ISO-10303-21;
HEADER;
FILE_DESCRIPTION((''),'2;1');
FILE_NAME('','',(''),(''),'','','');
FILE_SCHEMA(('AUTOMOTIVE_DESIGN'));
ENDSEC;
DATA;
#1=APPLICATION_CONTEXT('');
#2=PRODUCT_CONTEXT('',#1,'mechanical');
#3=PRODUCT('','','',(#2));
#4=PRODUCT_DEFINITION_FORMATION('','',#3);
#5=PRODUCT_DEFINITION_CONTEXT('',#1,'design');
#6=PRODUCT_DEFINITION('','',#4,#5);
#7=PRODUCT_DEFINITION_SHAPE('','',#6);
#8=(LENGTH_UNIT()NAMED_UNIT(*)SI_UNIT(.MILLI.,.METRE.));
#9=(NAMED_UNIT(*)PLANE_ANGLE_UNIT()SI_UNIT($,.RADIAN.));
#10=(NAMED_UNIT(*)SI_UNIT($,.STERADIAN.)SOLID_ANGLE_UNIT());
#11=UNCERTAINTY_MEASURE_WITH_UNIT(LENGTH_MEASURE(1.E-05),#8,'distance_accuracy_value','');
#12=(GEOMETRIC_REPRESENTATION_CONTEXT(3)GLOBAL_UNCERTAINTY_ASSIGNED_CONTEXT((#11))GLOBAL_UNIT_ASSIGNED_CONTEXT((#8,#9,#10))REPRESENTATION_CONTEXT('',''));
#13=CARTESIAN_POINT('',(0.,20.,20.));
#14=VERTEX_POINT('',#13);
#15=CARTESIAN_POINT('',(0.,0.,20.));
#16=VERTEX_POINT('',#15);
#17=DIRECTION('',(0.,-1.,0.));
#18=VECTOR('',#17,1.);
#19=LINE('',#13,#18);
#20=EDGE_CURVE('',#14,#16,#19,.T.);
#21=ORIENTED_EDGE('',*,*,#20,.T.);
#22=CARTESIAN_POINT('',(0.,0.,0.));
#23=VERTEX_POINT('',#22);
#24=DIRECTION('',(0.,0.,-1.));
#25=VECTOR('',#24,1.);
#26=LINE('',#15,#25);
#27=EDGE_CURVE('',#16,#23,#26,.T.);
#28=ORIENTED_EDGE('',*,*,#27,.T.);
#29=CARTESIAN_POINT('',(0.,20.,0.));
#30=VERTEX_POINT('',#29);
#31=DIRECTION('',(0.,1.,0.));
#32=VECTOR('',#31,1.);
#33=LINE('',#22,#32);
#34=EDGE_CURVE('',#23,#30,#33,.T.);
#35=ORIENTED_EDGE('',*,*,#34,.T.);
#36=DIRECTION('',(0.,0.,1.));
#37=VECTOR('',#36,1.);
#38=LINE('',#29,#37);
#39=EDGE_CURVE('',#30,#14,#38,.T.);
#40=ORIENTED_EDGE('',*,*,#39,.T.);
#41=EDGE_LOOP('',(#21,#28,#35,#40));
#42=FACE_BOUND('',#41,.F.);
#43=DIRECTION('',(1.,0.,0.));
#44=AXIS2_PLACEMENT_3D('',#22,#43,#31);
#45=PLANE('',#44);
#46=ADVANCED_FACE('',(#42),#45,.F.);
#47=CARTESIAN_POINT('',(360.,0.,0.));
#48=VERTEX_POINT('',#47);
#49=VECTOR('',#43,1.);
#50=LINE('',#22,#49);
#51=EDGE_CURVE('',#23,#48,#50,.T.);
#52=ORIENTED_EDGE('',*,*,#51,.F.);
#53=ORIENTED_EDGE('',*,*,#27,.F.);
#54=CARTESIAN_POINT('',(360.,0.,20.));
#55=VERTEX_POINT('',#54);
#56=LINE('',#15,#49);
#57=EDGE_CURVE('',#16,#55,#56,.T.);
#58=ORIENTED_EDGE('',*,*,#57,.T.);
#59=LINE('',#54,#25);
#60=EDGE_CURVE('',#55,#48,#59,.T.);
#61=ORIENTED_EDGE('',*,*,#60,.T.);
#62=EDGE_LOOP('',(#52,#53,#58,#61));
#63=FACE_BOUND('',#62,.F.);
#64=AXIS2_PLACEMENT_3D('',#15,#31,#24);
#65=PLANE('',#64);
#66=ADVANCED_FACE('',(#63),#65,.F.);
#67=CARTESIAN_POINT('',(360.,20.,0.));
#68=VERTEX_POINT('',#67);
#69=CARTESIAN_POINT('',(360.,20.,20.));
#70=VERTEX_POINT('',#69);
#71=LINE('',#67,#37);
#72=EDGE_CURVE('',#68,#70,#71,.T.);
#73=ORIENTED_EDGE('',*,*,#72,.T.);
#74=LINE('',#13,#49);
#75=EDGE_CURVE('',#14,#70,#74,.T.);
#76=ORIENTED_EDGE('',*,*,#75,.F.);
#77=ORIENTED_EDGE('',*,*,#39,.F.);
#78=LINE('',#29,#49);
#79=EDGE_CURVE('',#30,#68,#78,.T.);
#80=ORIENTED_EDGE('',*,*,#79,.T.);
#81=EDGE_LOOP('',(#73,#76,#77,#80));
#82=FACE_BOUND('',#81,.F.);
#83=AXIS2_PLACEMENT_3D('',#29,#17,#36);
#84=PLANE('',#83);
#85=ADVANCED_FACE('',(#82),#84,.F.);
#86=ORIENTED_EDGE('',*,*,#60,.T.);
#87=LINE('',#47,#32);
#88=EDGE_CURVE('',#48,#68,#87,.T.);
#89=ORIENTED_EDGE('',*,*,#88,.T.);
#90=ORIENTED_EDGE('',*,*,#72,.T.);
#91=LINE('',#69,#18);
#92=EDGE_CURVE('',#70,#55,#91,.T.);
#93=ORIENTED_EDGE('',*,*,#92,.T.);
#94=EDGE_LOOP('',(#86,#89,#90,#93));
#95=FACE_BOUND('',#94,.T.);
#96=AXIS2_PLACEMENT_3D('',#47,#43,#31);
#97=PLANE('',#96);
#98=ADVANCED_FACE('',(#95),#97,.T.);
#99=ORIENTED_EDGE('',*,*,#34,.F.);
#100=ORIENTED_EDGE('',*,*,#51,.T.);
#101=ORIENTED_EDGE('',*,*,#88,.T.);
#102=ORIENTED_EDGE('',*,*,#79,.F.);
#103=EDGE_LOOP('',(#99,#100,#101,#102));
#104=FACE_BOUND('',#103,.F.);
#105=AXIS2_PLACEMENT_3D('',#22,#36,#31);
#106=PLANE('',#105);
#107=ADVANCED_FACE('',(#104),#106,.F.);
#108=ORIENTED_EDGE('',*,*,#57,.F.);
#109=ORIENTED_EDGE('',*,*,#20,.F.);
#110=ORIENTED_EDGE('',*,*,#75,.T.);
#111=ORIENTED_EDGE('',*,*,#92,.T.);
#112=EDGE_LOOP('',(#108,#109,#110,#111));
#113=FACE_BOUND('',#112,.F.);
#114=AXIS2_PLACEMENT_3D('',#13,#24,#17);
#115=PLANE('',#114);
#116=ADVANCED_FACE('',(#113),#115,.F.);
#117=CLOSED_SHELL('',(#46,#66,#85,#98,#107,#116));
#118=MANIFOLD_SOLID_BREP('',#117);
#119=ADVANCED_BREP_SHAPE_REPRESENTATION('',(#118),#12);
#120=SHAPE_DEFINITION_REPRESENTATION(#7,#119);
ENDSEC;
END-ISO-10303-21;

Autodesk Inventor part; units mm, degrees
ref_plane "YZ Plane" through (0, 0, 0) normal (1, 0, 0) x (0, 1, 0)
ref_plane "XZ Plane" through (0, 0, 0) normal (0, 1, 0) x (-1, 0, 0)
ref_plane "XY Plane" through (0, 0, 0) normal (0, 0, 1) x (1, 0, 0)
sketch "Sketch1" plane through (0, 0, 0) normal (1, 0, 0) x (0, 1, 0)
  line L0 (0, 0) -> (20, 0)
  line L1 (20, 0) -> (20, 20)
  line L2 (20, 20) -> (0, 20)
  line L3 (0, 20) -> (0, 0)
  dimension "d0" = 20
  dimension "d1" = 20
extrude "Extrusion1" add sketch "Sketch1" along normal blind 360
equation "\"d0\" = extrusion_dim"
equation "\"d1\" = extrusion_dim"
equation "\"d2\" = base_x_dim - 2 * extrusion_dim"
equation "\"base_thickness\" = 12.7"
equation "\"extrusion_dim\" = 20"
equation "\"top_sheet_thickness\" = 6.35"
equation "\"base_x_dim\" = 400"
properties part number "X Cross Piece"
